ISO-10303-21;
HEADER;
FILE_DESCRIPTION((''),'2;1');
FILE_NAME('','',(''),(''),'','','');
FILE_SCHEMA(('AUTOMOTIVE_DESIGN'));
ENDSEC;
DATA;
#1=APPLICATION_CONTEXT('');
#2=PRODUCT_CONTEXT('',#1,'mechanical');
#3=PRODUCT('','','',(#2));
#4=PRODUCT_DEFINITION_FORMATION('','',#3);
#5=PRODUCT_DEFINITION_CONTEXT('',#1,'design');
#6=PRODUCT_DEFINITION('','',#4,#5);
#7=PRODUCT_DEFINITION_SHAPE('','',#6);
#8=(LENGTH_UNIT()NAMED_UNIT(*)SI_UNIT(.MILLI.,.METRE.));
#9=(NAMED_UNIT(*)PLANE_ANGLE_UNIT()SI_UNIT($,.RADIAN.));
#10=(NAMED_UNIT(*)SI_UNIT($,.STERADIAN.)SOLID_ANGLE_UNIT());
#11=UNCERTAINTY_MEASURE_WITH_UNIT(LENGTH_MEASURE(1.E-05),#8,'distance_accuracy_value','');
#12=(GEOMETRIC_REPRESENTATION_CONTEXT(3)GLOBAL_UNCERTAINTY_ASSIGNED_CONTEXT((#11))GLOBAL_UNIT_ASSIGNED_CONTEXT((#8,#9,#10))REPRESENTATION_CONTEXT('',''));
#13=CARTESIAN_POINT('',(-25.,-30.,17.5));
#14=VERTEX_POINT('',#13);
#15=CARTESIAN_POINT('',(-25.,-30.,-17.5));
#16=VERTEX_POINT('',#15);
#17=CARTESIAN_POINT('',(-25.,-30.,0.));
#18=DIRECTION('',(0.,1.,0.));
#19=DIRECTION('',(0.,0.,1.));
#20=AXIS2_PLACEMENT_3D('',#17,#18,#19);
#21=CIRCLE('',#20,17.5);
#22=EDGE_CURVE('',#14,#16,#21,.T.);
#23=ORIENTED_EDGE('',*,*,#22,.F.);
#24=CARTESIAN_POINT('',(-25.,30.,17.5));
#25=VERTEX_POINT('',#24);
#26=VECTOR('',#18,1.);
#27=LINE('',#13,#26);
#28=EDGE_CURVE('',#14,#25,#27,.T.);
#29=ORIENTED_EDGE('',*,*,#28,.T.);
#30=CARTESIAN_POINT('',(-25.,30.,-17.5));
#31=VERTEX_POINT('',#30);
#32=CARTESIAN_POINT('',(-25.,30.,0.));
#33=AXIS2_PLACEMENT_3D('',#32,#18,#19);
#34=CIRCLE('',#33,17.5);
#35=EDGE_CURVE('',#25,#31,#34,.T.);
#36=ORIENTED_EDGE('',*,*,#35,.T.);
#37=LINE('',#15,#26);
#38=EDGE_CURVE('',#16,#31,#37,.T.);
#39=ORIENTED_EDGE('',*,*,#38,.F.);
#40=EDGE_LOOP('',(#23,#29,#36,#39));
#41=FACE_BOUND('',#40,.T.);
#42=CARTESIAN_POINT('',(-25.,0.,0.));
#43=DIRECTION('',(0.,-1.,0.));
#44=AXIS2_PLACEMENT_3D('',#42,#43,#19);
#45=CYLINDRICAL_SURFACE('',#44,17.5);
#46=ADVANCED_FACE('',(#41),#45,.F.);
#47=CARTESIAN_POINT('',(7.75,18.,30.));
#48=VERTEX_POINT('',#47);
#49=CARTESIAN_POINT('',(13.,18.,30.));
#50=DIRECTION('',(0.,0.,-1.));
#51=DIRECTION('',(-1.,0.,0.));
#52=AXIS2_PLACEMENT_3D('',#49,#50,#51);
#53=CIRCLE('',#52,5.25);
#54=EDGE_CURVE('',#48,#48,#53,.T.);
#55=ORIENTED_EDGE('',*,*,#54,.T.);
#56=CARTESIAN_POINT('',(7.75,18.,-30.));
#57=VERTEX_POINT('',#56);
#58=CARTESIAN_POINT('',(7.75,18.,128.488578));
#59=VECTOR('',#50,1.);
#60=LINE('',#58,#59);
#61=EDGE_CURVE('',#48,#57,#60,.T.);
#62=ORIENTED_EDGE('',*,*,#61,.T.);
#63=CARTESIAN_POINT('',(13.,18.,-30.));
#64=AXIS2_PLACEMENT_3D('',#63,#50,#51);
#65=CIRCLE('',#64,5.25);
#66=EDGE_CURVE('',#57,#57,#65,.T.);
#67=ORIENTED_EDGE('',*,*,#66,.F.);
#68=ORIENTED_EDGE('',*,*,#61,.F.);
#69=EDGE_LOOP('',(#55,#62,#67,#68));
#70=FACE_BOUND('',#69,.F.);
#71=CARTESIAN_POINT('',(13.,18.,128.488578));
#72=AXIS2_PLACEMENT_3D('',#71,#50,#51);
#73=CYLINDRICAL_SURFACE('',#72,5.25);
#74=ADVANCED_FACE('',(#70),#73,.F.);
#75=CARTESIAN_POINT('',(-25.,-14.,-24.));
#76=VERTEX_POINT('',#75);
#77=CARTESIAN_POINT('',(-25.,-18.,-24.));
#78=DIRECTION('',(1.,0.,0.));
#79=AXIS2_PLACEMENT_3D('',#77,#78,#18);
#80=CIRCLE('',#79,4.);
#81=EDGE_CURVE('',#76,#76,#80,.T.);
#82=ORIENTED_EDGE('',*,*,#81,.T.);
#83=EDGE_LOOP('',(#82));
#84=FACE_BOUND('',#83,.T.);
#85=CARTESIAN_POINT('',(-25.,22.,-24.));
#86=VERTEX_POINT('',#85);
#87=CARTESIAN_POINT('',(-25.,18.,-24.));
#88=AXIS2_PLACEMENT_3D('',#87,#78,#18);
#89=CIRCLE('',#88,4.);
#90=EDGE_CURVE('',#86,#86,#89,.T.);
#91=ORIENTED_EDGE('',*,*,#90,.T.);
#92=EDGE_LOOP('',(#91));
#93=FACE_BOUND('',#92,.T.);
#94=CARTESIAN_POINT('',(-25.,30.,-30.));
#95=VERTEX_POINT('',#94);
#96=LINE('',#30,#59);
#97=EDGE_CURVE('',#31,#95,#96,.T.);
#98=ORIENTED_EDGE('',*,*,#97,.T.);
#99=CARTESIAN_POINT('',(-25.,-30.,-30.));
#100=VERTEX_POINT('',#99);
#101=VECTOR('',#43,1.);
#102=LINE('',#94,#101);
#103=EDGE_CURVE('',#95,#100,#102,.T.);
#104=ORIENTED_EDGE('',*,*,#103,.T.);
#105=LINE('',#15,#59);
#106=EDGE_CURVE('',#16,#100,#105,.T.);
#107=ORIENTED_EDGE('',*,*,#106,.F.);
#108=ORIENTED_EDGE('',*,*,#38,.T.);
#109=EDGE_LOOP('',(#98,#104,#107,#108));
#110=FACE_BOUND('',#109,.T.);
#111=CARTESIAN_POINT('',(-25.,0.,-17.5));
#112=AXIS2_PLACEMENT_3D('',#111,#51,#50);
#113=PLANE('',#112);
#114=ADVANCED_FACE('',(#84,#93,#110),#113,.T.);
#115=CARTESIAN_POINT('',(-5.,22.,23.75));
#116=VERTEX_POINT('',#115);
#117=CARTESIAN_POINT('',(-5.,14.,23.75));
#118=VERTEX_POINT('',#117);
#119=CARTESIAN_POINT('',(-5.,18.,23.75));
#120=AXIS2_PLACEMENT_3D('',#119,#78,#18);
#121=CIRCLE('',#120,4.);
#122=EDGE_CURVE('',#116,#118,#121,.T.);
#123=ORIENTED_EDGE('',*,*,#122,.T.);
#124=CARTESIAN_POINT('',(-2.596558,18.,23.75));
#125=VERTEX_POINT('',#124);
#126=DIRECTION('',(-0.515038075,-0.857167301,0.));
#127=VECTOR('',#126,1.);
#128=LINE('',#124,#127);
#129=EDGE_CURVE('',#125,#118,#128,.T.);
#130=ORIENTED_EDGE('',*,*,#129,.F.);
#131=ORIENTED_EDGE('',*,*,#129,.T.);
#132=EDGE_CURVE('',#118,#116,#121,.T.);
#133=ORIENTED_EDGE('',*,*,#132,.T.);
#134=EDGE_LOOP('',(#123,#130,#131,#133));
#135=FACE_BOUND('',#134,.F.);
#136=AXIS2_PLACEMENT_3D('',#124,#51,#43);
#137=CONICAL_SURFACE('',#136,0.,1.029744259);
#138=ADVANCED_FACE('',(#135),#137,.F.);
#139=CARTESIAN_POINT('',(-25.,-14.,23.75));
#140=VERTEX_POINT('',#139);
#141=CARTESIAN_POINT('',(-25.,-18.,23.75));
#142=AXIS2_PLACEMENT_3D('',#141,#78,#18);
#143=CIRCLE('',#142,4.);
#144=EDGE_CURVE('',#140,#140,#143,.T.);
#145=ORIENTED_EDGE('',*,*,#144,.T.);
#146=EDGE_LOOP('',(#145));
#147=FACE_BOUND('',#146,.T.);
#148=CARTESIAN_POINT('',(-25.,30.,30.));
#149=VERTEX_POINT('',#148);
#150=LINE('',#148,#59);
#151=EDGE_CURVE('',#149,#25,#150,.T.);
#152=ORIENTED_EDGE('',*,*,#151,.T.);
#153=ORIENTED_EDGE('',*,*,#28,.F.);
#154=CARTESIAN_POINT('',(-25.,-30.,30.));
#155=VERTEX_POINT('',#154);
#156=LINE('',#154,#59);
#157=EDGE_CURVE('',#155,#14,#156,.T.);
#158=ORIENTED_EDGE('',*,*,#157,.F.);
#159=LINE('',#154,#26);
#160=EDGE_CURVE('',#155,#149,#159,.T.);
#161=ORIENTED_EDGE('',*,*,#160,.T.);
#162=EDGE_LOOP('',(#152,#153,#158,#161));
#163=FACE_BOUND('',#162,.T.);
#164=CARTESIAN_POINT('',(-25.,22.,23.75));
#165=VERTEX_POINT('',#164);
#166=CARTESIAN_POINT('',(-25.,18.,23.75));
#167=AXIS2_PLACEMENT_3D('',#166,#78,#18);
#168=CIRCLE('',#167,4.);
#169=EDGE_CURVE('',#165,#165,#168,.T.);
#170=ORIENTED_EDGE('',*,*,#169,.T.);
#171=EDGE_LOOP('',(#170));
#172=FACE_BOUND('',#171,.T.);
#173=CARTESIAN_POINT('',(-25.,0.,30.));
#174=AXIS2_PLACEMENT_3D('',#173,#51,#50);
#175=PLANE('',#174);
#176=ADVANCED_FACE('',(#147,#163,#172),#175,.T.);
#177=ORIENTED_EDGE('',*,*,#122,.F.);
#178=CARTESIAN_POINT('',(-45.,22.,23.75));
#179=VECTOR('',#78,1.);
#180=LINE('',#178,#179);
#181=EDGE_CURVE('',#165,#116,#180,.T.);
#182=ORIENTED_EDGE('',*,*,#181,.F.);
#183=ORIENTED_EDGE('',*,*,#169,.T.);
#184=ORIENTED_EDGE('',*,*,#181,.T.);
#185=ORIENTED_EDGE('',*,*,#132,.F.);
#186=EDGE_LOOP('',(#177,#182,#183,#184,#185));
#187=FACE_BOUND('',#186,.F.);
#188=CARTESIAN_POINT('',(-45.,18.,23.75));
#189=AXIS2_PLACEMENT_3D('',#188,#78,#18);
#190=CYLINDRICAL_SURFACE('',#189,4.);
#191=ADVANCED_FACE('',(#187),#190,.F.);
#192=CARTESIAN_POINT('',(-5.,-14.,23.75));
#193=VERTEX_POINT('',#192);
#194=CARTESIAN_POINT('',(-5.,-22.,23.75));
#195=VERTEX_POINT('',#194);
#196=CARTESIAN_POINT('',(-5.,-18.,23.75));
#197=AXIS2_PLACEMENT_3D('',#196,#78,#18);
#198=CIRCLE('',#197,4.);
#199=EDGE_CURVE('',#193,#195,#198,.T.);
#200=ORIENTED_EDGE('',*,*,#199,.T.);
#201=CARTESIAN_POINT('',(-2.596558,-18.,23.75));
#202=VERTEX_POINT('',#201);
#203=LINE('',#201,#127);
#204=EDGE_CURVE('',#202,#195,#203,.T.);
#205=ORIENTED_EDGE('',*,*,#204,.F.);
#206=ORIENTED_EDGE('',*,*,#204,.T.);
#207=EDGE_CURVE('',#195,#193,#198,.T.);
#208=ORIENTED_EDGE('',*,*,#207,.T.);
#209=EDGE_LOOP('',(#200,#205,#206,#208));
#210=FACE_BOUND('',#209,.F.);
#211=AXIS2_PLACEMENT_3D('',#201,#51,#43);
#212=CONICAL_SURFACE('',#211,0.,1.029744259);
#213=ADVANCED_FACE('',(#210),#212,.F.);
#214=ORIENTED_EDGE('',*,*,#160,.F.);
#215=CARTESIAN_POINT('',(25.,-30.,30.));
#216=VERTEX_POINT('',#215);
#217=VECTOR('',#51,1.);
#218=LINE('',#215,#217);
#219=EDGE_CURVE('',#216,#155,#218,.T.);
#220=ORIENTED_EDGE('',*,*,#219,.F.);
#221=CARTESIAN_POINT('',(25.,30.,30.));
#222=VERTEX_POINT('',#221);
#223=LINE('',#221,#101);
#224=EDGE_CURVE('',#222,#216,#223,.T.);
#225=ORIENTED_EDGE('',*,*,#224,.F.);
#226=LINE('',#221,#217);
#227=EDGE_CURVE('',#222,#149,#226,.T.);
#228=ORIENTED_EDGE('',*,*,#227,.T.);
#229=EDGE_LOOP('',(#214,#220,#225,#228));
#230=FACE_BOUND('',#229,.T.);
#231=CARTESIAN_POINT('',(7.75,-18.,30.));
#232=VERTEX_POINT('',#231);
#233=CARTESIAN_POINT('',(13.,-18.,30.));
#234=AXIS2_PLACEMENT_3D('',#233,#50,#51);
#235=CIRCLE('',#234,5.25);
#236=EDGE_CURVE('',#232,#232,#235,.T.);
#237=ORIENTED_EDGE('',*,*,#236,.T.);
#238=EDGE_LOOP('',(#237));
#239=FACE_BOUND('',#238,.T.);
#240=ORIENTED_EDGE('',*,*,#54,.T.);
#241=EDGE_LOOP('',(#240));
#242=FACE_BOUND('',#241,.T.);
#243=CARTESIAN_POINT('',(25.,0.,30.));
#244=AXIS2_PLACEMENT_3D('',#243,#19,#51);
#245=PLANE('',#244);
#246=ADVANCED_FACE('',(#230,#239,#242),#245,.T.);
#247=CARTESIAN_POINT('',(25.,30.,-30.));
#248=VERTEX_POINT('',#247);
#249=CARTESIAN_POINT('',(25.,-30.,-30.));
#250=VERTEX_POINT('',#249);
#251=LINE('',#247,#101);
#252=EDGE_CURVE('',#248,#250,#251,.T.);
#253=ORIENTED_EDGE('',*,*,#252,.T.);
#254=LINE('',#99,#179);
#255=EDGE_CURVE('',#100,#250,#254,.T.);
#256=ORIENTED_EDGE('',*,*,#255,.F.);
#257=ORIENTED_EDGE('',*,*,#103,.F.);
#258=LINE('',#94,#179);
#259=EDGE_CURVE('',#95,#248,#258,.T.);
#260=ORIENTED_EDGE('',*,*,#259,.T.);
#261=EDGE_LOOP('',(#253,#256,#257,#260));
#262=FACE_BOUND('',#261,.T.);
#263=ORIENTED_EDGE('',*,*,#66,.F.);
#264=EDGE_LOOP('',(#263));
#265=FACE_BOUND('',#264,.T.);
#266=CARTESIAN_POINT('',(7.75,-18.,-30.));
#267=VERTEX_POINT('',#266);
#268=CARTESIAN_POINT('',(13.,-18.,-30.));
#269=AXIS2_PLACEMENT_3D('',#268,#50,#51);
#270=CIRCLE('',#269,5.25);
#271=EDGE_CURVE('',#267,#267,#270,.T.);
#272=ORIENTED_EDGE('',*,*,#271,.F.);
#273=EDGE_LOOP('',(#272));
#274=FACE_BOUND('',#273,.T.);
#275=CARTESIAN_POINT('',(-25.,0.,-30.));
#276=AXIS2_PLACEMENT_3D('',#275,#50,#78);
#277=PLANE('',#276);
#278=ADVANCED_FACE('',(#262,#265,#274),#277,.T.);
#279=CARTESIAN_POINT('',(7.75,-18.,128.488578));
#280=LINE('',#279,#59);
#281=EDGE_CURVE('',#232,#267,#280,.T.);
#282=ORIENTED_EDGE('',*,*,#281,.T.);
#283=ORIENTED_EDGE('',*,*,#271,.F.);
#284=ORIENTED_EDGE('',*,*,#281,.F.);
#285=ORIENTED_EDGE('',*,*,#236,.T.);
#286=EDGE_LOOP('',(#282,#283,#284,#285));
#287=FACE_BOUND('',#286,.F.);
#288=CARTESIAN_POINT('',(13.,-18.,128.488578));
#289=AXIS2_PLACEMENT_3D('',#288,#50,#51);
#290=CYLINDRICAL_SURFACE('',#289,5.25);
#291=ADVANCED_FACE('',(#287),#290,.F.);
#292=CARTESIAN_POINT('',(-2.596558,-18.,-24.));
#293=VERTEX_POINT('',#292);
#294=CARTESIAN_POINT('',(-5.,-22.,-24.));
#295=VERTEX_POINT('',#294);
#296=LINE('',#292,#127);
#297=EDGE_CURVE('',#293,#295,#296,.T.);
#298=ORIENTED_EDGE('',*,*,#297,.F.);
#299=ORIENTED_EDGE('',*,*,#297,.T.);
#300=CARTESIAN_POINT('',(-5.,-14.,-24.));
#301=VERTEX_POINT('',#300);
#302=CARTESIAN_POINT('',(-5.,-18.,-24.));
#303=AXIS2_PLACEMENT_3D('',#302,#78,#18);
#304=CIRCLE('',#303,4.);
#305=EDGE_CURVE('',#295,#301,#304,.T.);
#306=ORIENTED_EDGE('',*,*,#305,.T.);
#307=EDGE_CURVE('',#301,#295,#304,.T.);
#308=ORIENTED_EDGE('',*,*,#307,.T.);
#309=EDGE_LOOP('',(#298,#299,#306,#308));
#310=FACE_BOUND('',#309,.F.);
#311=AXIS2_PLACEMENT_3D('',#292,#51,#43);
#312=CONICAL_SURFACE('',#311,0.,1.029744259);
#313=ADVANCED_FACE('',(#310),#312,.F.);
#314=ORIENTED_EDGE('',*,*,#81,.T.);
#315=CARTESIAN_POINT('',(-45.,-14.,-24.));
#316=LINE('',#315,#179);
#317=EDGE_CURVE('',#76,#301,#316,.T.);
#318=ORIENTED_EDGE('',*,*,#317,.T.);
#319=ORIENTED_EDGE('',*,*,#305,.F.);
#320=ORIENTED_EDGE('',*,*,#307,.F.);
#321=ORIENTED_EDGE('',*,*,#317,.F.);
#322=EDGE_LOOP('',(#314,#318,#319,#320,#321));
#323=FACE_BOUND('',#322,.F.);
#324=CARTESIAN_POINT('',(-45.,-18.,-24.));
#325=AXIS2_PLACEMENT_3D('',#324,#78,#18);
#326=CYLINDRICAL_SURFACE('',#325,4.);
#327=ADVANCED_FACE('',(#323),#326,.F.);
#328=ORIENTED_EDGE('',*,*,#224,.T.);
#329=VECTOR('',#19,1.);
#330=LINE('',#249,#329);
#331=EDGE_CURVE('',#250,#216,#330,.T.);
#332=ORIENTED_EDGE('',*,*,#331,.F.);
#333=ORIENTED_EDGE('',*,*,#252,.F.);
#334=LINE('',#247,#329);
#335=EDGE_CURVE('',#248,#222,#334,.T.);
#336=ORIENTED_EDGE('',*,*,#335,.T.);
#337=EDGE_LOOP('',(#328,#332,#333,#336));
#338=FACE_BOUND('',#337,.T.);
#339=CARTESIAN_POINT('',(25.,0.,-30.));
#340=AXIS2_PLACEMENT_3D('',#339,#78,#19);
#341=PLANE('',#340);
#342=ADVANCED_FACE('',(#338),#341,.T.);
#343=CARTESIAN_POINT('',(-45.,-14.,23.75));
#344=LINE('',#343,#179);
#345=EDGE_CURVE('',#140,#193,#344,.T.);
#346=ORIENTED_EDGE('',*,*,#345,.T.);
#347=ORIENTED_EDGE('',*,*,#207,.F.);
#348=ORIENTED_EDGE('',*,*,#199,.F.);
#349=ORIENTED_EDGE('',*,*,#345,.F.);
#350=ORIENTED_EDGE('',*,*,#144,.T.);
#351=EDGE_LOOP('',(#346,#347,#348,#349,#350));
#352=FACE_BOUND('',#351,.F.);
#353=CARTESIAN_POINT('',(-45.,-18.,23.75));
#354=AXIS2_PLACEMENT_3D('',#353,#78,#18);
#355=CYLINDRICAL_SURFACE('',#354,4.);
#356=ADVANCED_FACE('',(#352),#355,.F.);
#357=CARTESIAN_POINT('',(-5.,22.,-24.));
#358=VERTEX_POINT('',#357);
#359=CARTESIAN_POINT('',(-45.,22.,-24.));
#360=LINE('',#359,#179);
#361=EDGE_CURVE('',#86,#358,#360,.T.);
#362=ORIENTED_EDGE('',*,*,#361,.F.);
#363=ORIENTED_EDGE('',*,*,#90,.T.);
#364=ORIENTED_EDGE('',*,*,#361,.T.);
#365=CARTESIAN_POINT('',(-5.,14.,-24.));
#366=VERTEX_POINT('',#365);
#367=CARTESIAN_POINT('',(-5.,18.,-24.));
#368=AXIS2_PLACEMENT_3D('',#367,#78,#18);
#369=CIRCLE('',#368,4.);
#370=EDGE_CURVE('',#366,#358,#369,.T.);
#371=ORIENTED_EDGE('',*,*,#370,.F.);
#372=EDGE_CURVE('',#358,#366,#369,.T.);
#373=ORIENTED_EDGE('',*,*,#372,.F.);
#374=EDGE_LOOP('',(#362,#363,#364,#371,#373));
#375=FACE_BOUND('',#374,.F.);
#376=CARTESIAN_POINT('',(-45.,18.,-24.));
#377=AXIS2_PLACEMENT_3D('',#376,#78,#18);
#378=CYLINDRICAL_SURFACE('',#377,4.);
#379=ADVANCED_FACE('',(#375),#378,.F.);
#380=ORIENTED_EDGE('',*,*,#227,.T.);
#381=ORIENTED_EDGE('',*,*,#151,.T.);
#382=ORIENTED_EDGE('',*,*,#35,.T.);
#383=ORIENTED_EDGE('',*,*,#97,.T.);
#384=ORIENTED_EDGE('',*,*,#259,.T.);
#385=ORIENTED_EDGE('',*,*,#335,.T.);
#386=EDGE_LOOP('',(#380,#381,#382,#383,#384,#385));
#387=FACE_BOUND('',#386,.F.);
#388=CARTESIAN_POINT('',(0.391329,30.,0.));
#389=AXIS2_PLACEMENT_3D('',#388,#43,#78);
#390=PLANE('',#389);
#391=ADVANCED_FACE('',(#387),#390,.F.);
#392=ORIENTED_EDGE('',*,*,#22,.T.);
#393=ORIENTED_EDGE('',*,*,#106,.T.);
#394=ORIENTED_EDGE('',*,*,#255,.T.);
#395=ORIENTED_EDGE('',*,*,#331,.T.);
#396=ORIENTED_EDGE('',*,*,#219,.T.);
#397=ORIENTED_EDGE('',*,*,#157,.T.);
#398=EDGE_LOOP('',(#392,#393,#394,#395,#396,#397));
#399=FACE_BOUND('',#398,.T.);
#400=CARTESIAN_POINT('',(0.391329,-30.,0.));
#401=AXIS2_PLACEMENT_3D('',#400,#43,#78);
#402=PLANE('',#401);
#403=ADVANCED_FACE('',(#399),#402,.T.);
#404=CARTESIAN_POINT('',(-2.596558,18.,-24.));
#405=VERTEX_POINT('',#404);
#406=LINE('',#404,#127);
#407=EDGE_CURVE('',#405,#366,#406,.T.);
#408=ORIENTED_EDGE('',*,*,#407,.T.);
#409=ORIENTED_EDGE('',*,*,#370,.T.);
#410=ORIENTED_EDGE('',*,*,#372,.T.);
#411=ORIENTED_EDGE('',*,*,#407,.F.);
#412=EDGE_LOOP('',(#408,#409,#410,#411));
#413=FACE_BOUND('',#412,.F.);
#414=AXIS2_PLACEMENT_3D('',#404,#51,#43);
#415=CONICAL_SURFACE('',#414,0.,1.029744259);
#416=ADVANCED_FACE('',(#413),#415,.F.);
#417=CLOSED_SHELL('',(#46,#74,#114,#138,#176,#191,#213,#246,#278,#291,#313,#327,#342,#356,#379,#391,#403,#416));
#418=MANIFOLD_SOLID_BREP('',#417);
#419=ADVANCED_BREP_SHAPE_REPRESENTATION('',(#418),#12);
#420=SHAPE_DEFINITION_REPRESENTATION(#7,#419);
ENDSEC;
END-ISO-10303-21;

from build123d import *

# Parameters (mm, degrees)
F1_DEPTH = 30
F3_D     = 10.5
F4_D     = 10.5
F6_D     = 8
F6_DEPTH = 20
F6_TIP   = 2.4034424761


with BuildPart() as f1:
    # F0 (on Front) → F1 (new body, symmetric)
    with BuildSketch(Plane.XZ):
        with BuildLine():
            Line((-25, -17.5), (-25, -30))
            Line((-25, -30), (25, -30))
            Line((25, -30), (25, 30))
            Line((25, 30), (-25, 30))
            Line((-25, 30), (-25, 17.5))
            ThreePointArc((-25, 17.5), (-7.5, 0), (-25, -17.5))
        make_face()
    extrude(amount=F1_DEPTH, both=True)

    # F3 (through all)
    with Locations(Plane.XY.offset(30)):
        with Locations((13, 18)):
            Hole(F3_D / 2)

    # F4 (through all)
    with Locations(Plane.XY.offset(30)):
        with Locations((13, -18)):
            Hole(F4_D / 2)

    # F6
    with Locations(Plane(origin=(-25, 0, 0), x_dir=(0, -1, 0), z_dir=(-1, 0, 0))):
        with Locations((18, 23.75), (-18, 23.75), (-18, -24), (18, -24)):
            Hole(F6_D / 2, depth=F6_DEPTH)
            with Locations((0, 0, -(F6_DEPTH + F6_TIP / 2))):  # 118° drill point
                Cone(0, F6_D / 2, F6_TIP, mode=Mode.SUBTRACT)


solid = f1.part
